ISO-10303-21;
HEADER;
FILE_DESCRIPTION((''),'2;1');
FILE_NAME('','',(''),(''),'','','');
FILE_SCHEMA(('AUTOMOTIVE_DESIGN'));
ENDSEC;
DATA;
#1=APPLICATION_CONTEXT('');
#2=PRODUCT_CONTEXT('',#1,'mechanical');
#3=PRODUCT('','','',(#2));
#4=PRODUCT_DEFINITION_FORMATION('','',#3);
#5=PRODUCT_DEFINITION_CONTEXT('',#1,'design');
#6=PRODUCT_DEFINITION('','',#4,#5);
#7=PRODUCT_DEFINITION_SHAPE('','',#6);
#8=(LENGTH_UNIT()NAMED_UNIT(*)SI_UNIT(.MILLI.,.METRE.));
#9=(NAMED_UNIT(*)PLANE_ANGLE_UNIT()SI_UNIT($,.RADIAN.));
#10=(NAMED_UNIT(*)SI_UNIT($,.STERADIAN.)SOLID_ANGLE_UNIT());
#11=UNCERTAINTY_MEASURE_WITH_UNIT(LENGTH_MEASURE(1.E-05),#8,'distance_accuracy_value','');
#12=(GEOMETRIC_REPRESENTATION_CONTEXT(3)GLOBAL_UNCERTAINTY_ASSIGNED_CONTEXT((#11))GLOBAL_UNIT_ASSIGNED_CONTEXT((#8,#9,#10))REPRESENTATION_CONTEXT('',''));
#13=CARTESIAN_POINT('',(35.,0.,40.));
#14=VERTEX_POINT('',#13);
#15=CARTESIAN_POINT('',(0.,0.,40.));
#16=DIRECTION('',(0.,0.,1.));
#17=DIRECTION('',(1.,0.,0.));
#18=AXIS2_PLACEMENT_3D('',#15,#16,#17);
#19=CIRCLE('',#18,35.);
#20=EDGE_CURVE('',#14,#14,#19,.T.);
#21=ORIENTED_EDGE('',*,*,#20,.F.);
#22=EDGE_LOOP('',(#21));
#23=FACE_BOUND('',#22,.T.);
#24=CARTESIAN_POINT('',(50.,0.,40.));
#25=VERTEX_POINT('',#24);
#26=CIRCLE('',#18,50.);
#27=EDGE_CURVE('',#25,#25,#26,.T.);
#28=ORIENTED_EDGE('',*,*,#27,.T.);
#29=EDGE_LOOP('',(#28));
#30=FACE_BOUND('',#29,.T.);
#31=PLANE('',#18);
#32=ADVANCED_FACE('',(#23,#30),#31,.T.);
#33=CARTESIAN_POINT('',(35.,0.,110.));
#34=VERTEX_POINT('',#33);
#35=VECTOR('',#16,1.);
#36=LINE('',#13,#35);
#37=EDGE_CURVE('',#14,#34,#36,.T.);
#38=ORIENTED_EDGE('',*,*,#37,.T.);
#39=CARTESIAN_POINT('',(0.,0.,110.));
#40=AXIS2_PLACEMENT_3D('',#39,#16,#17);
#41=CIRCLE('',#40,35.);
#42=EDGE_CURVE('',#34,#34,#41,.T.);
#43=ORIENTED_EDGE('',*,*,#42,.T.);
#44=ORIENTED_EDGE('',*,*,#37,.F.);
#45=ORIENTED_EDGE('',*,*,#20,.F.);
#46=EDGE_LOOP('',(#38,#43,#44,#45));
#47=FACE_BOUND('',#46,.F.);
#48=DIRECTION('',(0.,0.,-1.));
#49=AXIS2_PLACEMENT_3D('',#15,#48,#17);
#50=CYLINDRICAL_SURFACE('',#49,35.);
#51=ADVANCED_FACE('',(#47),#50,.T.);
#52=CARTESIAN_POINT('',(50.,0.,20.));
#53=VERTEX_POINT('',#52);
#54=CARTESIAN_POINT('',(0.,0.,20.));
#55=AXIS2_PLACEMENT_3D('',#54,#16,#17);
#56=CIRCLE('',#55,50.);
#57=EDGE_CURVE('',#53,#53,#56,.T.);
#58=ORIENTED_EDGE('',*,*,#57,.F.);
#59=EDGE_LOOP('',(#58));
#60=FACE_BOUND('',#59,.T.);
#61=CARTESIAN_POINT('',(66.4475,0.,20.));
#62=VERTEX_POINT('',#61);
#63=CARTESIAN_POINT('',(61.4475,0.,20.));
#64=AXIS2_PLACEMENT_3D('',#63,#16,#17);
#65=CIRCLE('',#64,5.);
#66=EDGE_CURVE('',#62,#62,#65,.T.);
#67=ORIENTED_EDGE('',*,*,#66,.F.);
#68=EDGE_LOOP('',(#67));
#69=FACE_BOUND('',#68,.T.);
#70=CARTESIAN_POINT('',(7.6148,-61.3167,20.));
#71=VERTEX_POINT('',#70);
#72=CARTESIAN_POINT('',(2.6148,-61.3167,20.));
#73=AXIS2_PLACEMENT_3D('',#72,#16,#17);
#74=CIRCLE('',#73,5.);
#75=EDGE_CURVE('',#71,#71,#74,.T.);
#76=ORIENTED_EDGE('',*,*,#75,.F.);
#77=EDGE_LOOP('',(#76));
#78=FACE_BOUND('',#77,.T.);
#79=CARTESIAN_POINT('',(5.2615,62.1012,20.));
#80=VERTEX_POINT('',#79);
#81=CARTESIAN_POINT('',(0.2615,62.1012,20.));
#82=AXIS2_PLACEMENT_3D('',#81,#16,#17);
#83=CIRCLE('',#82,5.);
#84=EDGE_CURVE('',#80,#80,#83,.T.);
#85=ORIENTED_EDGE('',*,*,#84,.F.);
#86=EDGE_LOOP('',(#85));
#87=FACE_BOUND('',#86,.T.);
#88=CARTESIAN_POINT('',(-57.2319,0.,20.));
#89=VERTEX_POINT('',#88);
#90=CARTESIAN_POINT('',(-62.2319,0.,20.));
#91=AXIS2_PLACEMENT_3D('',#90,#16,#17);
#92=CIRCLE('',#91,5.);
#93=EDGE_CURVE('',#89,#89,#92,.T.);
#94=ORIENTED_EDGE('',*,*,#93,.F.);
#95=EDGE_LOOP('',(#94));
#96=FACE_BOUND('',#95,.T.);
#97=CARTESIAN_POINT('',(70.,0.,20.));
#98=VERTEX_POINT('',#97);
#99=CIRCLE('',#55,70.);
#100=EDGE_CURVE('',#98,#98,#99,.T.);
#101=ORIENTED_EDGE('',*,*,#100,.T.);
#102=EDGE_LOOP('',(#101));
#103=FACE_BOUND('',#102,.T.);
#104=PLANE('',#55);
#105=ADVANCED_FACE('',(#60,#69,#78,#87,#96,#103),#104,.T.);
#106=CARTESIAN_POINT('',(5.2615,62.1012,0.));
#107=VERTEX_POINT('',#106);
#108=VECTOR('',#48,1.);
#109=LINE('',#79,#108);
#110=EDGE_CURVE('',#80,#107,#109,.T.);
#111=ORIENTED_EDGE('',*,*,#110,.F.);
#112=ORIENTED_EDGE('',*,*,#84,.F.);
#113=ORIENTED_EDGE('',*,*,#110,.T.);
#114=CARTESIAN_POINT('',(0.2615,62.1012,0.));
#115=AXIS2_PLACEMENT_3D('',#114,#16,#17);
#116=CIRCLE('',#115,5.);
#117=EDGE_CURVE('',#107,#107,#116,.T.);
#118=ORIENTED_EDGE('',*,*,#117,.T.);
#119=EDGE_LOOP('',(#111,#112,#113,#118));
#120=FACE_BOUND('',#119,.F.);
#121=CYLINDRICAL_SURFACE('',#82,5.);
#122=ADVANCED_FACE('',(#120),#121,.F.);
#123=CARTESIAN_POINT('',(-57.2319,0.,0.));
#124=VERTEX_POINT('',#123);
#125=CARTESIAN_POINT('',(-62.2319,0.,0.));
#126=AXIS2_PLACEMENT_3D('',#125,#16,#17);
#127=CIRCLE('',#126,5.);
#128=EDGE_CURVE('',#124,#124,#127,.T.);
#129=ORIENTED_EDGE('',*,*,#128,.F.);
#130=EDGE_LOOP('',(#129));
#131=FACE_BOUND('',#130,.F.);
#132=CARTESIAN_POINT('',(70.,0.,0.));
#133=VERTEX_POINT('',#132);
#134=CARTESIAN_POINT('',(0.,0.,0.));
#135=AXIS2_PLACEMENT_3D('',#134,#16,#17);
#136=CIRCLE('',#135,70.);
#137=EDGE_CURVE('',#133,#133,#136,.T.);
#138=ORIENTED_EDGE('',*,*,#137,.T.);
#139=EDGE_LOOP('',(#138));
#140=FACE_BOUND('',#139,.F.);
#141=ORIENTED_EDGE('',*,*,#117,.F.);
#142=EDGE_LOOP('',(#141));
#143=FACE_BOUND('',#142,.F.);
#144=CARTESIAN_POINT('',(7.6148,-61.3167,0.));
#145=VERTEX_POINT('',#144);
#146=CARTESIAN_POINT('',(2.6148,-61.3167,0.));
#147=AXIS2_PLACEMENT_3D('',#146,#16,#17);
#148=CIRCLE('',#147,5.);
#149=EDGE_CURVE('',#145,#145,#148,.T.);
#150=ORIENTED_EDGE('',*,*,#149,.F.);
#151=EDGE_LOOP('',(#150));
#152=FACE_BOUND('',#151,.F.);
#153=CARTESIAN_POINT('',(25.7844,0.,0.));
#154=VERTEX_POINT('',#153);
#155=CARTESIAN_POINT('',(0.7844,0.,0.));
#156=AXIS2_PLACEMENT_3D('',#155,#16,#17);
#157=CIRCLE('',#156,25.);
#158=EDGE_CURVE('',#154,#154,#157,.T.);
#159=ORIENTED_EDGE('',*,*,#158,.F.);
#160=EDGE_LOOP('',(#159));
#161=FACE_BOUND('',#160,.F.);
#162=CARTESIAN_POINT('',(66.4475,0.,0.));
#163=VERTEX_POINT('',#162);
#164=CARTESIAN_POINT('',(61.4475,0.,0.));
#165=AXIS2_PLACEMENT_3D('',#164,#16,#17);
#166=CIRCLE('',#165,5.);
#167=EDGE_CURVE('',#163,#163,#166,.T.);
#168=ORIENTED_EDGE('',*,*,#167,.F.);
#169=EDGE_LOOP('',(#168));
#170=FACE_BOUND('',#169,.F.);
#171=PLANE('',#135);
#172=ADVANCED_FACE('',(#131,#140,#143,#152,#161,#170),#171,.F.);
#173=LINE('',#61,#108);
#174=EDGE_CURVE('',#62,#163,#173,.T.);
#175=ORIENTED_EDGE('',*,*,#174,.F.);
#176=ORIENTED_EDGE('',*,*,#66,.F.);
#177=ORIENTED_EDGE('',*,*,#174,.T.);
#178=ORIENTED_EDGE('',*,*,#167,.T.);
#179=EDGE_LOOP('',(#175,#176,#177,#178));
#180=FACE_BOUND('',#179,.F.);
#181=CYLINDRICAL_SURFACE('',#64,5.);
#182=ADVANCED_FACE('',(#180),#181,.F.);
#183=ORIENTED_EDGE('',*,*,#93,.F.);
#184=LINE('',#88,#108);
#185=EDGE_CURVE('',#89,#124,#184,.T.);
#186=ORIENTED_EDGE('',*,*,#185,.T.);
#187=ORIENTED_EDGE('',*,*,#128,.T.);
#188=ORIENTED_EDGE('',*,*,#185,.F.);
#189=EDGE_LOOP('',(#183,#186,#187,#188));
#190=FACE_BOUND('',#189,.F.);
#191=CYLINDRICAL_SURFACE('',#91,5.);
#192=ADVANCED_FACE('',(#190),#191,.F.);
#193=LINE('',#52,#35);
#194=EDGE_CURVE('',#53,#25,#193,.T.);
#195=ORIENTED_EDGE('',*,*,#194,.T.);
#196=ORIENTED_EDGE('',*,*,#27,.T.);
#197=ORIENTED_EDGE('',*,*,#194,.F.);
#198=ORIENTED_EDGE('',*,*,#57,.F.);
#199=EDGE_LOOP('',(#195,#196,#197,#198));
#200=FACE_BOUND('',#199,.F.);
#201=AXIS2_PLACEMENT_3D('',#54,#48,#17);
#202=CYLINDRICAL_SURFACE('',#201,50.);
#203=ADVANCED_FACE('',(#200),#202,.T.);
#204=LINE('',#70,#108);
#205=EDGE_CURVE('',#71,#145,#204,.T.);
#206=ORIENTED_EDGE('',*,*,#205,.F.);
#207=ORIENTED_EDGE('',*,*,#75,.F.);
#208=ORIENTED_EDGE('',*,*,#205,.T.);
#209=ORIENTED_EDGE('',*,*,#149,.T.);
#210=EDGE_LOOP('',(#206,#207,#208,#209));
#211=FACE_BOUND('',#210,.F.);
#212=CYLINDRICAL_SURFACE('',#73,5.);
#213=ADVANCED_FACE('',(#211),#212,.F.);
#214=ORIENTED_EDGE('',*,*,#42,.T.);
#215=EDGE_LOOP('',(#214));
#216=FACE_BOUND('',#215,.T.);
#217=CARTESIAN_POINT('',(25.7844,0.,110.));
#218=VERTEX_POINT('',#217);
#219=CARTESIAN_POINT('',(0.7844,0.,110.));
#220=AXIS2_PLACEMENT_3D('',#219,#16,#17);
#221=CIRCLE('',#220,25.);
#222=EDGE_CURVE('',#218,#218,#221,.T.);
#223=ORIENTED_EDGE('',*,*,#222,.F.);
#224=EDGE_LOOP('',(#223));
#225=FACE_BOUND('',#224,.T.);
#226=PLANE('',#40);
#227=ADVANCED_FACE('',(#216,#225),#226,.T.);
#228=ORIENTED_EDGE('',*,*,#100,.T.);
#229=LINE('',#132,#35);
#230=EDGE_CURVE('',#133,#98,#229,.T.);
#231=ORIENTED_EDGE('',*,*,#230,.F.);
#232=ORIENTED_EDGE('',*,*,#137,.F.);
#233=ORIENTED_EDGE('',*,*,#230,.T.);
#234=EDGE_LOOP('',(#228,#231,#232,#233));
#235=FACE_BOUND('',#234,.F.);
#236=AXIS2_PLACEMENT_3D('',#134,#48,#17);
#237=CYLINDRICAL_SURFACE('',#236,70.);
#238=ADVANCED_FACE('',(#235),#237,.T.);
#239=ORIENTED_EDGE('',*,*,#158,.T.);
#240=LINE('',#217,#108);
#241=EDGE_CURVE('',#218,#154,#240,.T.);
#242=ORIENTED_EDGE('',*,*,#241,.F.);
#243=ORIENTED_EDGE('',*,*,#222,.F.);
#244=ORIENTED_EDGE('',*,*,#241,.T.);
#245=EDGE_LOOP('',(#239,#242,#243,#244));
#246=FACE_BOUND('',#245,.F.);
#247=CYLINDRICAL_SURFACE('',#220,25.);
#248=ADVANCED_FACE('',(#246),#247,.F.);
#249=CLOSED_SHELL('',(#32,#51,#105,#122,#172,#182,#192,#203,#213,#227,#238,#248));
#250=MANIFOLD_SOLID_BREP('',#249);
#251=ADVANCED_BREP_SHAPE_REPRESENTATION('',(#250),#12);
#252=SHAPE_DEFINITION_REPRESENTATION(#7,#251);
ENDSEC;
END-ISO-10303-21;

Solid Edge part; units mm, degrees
sketch "Sketch1" plane through (0, 0, 0) normal (0, 0, 1) x (1, 0, 0)
  circle A0 centre (0, 0) radius 70
extrude "Protrusion1" add sketch "Sketch1" along normal blind 20
sketch "Sketch2" plane through (0, 0, 20) normal (0, 0, 1) x (1, 0, 0)
  circle A0 centre (0, 0) radius 50
extrude "ExtrudedProtrusion_2" add sketch "Sketch2" along normal blind 20
sketch "Sketch3" plane through (0, 0, 40) normal (0, 0, 1) x (1, 0, 0)
  circle A0 centre (0, 0) radius 35
extrude "ExtrudedProtrusion_3" add sketch "Sketch3" along normal blind 70
sketch "Sketch4" plane through (0, 0, 110) normal (0, 0, 1) x (1, 0, 0)
  circle A0 centre (0.7844, 0) radius 25
extrude "ExtrudedCutout_1" cut sketch "Sketch4" against normal blind 217.955
sketch "Sketch5" plane through (0, 0, 20) normal (0, 0, 1) x (1, 0, 0)
  circle A0 centre (-62.2319, 0) radius 5
  circle A1 centre (61.4475, 0) radius 5
  circle A2 centre (2.6148, -61.3167) radius 5
  circle A3 centre (0.2615, 62.1012) radius 5
extrude "ExtrudedCutout_2" cut sketch "Sketch5" against normal blind 134.0931
